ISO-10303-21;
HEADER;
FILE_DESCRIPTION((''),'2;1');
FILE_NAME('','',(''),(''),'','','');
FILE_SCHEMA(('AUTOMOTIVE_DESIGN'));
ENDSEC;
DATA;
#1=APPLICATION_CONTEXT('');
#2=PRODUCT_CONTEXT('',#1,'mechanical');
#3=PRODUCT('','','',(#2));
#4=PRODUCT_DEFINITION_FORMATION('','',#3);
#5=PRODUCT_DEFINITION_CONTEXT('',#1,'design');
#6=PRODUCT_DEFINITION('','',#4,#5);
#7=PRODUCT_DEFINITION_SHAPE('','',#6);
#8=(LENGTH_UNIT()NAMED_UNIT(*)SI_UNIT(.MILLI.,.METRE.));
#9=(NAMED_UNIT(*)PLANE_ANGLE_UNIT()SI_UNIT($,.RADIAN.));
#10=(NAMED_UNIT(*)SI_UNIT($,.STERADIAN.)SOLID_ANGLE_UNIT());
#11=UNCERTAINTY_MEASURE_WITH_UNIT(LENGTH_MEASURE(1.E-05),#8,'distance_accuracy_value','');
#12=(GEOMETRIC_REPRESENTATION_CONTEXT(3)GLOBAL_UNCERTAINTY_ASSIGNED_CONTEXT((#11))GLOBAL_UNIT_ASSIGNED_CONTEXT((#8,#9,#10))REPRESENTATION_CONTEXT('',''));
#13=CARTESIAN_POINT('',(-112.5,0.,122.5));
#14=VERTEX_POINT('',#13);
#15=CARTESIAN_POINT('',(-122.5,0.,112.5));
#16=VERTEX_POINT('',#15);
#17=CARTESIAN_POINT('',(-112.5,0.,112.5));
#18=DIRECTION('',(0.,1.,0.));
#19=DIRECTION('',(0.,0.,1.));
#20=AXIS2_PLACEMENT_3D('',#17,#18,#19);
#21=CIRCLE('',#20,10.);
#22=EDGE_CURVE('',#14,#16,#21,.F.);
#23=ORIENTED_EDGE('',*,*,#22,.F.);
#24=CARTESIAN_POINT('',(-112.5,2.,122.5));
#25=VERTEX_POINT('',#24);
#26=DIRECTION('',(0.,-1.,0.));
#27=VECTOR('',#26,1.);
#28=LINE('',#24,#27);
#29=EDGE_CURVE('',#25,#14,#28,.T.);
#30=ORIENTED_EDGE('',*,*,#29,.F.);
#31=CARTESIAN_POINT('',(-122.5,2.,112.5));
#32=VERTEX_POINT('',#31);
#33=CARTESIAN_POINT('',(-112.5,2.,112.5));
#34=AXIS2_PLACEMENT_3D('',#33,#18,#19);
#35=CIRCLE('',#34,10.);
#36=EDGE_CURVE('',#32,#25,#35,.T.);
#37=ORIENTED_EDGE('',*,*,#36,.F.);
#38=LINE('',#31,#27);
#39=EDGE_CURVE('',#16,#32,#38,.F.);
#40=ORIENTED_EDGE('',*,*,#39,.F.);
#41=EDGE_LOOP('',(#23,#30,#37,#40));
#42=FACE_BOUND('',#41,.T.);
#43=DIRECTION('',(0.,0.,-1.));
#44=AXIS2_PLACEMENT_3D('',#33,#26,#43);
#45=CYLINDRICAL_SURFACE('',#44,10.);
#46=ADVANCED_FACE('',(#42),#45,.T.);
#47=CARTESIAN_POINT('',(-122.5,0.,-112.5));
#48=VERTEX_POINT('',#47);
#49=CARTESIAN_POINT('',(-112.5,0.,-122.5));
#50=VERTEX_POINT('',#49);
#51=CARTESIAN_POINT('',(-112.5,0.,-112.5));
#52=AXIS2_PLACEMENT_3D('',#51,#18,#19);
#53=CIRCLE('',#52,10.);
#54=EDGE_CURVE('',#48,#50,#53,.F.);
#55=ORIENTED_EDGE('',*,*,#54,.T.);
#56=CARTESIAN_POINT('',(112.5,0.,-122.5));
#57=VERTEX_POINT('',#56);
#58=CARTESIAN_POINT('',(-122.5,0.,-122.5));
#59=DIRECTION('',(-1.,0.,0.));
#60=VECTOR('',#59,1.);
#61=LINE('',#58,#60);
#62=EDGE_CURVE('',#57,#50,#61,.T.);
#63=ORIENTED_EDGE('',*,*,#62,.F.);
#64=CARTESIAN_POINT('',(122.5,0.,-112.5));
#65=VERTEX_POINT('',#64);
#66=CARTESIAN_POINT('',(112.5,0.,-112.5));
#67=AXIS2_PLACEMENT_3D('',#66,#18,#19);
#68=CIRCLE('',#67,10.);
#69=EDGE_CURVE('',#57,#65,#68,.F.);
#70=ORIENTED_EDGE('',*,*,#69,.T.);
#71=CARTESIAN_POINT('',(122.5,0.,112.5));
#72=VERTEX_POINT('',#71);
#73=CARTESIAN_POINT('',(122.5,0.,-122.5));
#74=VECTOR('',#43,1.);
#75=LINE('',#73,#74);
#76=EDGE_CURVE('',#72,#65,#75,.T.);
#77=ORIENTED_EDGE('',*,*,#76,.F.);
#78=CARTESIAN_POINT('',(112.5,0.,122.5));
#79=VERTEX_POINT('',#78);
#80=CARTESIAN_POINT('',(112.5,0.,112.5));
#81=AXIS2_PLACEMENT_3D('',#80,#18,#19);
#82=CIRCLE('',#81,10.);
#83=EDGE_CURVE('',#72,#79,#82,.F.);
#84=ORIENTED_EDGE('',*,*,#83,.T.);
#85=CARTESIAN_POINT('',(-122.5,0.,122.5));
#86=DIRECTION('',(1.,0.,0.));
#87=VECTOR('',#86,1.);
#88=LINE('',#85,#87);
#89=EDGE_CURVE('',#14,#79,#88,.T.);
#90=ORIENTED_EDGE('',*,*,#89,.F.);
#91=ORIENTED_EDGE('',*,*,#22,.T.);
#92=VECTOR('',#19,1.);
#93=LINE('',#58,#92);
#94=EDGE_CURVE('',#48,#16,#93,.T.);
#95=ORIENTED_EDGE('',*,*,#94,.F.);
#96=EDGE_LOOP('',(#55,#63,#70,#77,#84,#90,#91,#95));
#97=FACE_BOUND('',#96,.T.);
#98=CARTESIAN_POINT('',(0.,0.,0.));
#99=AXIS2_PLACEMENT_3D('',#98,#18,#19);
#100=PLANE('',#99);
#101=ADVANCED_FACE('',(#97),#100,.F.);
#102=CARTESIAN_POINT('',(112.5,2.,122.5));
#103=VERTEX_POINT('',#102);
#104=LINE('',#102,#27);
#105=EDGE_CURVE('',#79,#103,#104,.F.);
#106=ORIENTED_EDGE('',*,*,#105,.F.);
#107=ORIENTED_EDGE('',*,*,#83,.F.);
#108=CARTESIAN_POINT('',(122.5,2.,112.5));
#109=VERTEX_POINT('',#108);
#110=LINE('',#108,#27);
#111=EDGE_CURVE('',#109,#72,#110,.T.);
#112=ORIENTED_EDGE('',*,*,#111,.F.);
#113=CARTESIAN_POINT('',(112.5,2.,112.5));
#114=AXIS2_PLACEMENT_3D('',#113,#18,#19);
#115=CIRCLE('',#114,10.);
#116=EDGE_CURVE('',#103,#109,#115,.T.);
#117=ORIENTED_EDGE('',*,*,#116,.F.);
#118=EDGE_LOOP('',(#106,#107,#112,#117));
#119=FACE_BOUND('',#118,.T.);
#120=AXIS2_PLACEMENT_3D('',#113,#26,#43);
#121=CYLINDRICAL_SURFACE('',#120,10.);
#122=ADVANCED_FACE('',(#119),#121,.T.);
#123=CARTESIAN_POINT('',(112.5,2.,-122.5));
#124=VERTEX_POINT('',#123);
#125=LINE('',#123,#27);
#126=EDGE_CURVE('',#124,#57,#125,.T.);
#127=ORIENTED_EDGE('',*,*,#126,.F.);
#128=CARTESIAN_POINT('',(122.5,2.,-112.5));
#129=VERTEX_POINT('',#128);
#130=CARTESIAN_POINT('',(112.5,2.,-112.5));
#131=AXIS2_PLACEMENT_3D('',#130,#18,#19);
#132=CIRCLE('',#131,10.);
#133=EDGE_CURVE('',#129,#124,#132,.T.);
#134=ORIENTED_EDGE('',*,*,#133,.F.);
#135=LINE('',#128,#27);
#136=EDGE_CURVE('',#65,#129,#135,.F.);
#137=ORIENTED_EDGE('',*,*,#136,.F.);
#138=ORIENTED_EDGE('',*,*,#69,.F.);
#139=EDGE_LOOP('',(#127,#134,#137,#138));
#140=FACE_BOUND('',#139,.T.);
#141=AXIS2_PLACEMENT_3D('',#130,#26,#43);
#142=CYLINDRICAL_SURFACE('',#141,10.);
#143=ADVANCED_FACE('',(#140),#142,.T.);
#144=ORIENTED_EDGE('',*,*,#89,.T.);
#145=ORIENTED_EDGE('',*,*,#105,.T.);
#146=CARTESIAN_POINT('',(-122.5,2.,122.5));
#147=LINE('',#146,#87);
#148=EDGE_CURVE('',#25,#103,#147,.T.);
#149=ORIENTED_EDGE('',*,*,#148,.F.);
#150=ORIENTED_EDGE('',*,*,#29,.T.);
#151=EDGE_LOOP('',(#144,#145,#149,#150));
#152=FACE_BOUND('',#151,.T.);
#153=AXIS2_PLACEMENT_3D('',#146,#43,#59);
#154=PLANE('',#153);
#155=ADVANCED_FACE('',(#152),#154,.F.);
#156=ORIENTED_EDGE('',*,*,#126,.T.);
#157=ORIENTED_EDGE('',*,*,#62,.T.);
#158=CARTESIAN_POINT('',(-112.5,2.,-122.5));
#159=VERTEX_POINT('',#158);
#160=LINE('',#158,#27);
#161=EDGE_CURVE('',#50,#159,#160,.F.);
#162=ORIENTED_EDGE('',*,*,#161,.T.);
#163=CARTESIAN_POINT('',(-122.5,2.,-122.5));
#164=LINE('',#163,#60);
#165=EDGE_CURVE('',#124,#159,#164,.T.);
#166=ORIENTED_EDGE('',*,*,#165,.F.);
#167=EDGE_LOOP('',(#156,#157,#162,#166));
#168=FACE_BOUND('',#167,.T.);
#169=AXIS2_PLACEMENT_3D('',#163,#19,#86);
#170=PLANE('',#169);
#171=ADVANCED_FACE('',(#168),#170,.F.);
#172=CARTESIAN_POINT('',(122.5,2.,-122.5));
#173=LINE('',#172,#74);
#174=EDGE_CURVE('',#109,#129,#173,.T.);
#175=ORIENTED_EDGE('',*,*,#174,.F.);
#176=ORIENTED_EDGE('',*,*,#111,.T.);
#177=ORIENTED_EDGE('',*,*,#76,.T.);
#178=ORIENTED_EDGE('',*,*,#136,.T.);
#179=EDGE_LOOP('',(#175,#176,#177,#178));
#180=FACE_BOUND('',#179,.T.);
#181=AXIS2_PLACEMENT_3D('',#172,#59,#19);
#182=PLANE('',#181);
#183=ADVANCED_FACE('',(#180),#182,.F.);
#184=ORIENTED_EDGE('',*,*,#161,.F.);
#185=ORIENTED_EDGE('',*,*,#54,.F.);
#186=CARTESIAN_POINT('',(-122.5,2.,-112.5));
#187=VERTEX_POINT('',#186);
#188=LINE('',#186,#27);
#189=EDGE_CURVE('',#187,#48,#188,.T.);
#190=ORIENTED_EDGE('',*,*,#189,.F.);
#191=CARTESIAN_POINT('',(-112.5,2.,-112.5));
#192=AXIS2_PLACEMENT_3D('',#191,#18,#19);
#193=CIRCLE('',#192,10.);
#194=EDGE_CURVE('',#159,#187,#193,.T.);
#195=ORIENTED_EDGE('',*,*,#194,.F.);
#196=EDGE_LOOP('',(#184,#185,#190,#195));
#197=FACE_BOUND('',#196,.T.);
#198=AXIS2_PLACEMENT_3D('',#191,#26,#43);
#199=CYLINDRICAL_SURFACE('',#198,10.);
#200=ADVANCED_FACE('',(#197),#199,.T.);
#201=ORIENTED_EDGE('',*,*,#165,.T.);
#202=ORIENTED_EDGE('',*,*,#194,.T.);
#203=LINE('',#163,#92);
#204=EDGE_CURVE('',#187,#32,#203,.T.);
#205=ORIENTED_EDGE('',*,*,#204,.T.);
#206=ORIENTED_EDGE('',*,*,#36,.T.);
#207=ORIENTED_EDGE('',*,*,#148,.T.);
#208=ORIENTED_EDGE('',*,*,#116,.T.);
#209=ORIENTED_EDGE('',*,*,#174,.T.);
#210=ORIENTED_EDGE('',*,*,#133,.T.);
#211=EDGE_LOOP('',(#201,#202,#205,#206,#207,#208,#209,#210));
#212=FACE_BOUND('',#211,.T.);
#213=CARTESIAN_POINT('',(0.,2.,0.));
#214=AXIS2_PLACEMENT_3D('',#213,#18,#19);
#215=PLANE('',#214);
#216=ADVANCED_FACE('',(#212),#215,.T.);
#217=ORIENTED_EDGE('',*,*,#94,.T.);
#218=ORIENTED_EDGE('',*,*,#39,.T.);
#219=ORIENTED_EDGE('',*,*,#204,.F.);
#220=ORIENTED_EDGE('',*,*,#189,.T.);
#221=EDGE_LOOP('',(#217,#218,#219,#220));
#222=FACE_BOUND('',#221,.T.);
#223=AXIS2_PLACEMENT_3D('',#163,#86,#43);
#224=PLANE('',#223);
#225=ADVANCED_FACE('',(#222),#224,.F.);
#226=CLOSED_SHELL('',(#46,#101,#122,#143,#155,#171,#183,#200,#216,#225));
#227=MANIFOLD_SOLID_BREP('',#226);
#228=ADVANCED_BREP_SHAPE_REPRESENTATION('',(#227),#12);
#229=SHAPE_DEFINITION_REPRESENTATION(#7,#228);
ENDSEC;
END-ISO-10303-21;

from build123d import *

# Parameters (mm, degrees)
SKETCH_1_W      = 245
SKETCH_1_H      = 245
EXTRUDE_1_DEPTH = 2
FILLET_1_R      = 10


with BuildPart() as part:
    # 草图1 → 凸台-拉伸1 (new body)
    with BuildSketch(Plane(origin=(0, 0, 0), x_dir=(1, 0, 0), z_dir=(0, 1, 0))):
        Rectangle(SKETCH_1_W, SKETCH_1_H)
    extrude(amount=EXTRUDE_1_DEPTH)

    # 圆角1
    fillet_1_edges = [part.edges().sort_by_distance(p)[0] for p in [
        (122.5, 1, 122.5),
        (-122.5, 1, 122.5),
        (-122.5, 1, -122.5),
        (122.5, 1, -122.5),
    ]]
    fillet(fillet_1_edges, radius=FILLET_1_R)


solid = part.part
